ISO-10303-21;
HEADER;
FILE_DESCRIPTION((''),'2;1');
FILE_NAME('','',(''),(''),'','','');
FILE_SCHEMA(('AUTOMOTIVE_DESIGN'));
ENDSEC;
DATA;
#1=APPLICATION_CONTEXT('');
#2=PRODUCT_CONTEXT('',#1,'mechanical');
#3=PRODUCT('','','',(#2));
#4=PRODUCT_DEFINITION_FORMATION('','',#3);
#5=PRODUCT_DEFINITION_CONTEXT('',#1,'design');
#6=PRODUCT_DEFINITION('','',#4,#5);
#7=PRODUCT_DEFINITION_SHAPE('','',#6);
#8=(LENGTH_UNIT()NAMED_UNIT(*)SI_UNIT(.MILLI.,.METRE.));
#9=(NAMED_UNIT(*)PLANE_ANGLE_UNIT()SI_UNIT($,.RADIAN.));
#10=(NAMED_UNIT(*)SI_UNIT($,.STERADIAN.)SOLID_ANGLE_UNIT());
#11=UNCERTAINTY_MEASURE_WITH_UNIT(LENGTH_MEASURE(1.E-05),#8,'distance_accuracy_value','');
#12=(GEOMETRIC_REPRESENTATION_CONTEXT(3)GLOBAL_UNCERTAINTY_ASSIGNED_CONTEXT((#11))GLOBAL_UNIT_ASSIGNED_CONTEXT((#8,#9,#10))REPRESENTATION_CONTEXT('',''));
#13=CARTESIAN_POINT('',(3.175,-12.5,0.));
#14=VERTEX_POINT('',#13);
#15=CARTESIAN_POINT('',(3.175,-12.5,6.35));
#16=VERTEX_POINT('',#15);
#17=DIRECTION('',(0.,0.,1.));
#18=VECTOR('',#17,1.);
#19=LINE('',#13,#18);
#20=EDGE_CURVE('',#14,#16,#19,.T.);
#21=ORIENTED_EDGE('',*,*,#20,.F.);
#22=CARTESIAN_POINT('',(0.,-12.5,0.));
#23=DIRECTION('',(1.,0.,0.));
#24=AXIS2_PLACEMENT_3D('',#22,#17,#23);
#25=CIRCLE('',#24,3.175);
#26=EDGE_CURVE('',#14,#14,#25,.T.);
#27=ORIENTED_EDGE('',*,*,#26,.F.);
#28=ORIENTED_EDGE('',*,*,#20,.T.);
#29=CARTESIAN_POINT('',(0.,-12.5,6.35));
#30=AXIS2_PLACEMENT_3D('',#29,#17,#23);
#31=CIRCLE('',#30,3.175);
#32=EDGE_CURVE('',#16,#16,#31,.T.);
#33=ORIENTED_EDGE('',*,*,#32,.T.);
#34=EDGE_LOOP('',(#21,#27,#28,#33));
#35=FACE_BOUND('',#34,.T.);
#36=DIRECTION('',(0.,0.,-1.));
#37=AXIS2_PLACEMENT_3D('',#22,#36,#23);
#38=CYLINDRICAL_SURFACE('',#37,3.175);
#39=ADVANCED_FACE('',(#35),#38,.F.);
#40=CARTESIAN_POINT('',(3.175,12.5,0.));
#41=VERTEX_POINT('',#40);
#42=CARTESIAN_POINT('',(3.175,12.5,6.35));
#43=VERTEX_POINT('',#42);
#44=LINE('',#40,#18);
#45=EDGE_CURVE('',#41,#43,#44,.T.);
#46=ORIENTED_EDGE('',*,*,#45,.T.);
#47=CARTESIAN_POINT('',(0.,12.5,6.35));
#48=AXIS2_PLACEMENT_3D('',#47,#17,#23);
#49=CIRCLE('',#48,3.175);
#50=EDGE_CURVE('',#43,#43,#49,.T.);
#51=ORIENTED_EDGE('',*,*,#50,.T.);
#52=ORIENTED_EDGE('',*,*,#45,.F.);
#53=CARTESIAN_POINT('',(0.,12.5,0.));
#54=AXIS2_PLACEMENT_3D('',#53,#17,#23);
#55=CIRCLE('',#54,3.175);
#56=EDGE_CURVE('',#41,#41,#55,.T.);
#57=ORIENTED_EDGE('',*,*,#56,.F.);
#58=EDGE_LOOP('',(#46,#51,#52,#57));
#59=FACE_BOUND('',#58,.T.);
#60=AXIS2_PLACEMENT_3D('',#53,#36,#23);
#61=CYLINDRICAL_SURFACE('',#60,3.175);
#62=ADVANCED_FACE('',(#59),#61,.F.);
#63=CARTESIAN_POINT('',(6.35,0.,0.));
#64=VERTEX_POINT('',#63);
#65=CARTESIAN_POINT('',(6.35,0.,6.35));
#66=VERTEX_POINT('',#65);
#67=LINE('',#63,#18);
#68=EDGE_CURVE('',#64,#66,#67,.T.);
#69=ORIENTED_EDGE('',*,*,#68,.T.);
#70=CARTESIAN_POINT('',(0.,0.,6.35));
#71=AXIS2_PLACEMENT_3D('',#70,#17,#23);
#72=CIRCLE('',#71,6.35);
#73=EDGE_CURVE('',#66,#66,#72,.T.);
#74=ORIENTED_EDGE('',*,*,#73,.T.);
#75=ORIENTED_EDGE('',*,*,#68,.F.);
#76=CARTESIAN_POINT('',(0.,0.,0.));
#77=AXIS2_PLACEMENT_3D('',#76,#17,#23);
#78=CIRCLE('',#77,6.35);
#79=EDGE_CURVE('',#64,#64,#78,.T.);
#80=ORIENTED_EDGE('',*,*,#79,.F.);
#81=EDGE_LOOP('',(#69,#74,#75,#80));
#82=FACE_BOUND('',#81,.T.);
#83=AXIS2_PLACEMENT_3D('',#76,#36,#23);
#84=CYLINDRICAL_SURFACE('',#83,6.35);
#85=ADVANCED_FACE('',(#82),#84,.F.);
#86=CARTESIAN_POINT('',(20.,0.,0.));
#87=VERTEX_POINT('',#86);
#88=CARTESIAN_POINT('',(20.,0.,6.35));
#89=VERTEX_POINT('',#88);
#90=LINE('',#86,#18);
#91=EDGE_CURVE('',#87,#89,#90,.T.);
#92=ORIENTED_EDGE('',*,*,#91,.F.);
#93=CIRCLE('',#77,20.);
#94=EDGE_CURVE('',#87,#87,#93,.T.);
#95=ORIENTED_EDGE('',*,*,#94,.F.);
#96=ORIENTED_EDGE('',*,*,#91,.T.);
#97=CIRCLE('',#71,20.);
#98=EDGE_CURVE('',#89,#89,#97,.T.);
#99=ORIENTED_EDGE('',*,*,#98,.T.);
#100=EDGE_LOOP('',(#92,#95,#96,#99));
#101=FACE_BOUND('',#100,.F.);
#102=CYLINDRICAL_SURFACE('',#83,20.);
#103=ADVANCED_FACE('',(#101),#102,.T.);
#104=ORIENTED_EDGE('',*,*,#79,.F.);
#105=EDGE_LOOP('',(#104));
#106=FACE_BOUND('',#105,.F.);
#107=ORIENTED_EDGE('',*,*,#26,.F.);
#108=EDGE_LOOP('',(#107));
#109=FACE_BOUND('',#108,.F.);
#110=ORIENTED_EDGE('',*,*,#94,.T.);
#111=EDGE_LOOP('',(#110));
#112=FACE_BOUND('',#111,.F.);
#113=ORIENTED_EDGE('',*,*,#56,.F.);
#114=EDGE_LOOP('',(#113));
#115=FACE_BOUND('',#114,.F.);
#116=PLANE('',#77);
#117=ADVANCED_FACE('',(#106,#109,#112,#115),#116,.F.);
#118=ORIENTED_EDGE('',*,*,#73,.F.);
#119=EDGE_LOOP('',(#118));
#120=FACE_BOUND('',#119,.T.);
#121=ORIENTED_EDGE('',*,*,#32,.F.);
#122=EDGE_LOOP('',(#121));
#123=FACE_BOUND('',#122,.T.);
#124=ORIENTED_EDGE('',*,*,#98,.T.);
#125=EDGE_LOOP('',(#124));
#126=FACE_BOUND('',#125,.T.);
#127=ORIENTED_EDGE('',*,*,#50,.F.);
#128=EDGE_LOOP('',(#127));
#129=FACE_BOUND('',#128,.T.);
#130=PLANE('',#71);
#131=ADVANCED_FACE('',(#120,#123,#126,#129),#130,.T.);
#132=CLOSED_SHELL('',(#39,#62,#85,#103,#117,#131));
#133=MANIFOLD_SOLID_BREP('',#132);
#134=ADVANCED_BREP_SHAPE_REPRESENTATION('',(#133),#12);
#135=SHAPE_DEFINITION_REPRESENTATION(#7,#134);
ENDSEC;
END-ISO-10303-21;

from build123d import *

# Parameters (mm, degrees)
F0_R     = 20
F0_R_2   = 6.35
F1_DEPTH = 6.35
F2_R     = 3.175
F3_DEPTH = 6.35


with BuildPart() as f1:
    # F0 (on Top) → F1 (new body)
    with BuildSketch(Plane.XY):
        Circle(F0_R)
        Circle(F0_R_2, mode=Mode.SUBTRACT)
    extrude(amount=F1_DEPTH)

    # F2 (on Top) → F3 (cut, through all)
    with BuildSketch(Plane.XY):
        with Locations((0, 12.5)):
            Circle(F2_R)
        with Locations((0, -12.5)):
            Circle(F2_R)
    extrude(amount=F3_DEPTH, mode=Mode.SUBTRACT)


solid = f1.part
